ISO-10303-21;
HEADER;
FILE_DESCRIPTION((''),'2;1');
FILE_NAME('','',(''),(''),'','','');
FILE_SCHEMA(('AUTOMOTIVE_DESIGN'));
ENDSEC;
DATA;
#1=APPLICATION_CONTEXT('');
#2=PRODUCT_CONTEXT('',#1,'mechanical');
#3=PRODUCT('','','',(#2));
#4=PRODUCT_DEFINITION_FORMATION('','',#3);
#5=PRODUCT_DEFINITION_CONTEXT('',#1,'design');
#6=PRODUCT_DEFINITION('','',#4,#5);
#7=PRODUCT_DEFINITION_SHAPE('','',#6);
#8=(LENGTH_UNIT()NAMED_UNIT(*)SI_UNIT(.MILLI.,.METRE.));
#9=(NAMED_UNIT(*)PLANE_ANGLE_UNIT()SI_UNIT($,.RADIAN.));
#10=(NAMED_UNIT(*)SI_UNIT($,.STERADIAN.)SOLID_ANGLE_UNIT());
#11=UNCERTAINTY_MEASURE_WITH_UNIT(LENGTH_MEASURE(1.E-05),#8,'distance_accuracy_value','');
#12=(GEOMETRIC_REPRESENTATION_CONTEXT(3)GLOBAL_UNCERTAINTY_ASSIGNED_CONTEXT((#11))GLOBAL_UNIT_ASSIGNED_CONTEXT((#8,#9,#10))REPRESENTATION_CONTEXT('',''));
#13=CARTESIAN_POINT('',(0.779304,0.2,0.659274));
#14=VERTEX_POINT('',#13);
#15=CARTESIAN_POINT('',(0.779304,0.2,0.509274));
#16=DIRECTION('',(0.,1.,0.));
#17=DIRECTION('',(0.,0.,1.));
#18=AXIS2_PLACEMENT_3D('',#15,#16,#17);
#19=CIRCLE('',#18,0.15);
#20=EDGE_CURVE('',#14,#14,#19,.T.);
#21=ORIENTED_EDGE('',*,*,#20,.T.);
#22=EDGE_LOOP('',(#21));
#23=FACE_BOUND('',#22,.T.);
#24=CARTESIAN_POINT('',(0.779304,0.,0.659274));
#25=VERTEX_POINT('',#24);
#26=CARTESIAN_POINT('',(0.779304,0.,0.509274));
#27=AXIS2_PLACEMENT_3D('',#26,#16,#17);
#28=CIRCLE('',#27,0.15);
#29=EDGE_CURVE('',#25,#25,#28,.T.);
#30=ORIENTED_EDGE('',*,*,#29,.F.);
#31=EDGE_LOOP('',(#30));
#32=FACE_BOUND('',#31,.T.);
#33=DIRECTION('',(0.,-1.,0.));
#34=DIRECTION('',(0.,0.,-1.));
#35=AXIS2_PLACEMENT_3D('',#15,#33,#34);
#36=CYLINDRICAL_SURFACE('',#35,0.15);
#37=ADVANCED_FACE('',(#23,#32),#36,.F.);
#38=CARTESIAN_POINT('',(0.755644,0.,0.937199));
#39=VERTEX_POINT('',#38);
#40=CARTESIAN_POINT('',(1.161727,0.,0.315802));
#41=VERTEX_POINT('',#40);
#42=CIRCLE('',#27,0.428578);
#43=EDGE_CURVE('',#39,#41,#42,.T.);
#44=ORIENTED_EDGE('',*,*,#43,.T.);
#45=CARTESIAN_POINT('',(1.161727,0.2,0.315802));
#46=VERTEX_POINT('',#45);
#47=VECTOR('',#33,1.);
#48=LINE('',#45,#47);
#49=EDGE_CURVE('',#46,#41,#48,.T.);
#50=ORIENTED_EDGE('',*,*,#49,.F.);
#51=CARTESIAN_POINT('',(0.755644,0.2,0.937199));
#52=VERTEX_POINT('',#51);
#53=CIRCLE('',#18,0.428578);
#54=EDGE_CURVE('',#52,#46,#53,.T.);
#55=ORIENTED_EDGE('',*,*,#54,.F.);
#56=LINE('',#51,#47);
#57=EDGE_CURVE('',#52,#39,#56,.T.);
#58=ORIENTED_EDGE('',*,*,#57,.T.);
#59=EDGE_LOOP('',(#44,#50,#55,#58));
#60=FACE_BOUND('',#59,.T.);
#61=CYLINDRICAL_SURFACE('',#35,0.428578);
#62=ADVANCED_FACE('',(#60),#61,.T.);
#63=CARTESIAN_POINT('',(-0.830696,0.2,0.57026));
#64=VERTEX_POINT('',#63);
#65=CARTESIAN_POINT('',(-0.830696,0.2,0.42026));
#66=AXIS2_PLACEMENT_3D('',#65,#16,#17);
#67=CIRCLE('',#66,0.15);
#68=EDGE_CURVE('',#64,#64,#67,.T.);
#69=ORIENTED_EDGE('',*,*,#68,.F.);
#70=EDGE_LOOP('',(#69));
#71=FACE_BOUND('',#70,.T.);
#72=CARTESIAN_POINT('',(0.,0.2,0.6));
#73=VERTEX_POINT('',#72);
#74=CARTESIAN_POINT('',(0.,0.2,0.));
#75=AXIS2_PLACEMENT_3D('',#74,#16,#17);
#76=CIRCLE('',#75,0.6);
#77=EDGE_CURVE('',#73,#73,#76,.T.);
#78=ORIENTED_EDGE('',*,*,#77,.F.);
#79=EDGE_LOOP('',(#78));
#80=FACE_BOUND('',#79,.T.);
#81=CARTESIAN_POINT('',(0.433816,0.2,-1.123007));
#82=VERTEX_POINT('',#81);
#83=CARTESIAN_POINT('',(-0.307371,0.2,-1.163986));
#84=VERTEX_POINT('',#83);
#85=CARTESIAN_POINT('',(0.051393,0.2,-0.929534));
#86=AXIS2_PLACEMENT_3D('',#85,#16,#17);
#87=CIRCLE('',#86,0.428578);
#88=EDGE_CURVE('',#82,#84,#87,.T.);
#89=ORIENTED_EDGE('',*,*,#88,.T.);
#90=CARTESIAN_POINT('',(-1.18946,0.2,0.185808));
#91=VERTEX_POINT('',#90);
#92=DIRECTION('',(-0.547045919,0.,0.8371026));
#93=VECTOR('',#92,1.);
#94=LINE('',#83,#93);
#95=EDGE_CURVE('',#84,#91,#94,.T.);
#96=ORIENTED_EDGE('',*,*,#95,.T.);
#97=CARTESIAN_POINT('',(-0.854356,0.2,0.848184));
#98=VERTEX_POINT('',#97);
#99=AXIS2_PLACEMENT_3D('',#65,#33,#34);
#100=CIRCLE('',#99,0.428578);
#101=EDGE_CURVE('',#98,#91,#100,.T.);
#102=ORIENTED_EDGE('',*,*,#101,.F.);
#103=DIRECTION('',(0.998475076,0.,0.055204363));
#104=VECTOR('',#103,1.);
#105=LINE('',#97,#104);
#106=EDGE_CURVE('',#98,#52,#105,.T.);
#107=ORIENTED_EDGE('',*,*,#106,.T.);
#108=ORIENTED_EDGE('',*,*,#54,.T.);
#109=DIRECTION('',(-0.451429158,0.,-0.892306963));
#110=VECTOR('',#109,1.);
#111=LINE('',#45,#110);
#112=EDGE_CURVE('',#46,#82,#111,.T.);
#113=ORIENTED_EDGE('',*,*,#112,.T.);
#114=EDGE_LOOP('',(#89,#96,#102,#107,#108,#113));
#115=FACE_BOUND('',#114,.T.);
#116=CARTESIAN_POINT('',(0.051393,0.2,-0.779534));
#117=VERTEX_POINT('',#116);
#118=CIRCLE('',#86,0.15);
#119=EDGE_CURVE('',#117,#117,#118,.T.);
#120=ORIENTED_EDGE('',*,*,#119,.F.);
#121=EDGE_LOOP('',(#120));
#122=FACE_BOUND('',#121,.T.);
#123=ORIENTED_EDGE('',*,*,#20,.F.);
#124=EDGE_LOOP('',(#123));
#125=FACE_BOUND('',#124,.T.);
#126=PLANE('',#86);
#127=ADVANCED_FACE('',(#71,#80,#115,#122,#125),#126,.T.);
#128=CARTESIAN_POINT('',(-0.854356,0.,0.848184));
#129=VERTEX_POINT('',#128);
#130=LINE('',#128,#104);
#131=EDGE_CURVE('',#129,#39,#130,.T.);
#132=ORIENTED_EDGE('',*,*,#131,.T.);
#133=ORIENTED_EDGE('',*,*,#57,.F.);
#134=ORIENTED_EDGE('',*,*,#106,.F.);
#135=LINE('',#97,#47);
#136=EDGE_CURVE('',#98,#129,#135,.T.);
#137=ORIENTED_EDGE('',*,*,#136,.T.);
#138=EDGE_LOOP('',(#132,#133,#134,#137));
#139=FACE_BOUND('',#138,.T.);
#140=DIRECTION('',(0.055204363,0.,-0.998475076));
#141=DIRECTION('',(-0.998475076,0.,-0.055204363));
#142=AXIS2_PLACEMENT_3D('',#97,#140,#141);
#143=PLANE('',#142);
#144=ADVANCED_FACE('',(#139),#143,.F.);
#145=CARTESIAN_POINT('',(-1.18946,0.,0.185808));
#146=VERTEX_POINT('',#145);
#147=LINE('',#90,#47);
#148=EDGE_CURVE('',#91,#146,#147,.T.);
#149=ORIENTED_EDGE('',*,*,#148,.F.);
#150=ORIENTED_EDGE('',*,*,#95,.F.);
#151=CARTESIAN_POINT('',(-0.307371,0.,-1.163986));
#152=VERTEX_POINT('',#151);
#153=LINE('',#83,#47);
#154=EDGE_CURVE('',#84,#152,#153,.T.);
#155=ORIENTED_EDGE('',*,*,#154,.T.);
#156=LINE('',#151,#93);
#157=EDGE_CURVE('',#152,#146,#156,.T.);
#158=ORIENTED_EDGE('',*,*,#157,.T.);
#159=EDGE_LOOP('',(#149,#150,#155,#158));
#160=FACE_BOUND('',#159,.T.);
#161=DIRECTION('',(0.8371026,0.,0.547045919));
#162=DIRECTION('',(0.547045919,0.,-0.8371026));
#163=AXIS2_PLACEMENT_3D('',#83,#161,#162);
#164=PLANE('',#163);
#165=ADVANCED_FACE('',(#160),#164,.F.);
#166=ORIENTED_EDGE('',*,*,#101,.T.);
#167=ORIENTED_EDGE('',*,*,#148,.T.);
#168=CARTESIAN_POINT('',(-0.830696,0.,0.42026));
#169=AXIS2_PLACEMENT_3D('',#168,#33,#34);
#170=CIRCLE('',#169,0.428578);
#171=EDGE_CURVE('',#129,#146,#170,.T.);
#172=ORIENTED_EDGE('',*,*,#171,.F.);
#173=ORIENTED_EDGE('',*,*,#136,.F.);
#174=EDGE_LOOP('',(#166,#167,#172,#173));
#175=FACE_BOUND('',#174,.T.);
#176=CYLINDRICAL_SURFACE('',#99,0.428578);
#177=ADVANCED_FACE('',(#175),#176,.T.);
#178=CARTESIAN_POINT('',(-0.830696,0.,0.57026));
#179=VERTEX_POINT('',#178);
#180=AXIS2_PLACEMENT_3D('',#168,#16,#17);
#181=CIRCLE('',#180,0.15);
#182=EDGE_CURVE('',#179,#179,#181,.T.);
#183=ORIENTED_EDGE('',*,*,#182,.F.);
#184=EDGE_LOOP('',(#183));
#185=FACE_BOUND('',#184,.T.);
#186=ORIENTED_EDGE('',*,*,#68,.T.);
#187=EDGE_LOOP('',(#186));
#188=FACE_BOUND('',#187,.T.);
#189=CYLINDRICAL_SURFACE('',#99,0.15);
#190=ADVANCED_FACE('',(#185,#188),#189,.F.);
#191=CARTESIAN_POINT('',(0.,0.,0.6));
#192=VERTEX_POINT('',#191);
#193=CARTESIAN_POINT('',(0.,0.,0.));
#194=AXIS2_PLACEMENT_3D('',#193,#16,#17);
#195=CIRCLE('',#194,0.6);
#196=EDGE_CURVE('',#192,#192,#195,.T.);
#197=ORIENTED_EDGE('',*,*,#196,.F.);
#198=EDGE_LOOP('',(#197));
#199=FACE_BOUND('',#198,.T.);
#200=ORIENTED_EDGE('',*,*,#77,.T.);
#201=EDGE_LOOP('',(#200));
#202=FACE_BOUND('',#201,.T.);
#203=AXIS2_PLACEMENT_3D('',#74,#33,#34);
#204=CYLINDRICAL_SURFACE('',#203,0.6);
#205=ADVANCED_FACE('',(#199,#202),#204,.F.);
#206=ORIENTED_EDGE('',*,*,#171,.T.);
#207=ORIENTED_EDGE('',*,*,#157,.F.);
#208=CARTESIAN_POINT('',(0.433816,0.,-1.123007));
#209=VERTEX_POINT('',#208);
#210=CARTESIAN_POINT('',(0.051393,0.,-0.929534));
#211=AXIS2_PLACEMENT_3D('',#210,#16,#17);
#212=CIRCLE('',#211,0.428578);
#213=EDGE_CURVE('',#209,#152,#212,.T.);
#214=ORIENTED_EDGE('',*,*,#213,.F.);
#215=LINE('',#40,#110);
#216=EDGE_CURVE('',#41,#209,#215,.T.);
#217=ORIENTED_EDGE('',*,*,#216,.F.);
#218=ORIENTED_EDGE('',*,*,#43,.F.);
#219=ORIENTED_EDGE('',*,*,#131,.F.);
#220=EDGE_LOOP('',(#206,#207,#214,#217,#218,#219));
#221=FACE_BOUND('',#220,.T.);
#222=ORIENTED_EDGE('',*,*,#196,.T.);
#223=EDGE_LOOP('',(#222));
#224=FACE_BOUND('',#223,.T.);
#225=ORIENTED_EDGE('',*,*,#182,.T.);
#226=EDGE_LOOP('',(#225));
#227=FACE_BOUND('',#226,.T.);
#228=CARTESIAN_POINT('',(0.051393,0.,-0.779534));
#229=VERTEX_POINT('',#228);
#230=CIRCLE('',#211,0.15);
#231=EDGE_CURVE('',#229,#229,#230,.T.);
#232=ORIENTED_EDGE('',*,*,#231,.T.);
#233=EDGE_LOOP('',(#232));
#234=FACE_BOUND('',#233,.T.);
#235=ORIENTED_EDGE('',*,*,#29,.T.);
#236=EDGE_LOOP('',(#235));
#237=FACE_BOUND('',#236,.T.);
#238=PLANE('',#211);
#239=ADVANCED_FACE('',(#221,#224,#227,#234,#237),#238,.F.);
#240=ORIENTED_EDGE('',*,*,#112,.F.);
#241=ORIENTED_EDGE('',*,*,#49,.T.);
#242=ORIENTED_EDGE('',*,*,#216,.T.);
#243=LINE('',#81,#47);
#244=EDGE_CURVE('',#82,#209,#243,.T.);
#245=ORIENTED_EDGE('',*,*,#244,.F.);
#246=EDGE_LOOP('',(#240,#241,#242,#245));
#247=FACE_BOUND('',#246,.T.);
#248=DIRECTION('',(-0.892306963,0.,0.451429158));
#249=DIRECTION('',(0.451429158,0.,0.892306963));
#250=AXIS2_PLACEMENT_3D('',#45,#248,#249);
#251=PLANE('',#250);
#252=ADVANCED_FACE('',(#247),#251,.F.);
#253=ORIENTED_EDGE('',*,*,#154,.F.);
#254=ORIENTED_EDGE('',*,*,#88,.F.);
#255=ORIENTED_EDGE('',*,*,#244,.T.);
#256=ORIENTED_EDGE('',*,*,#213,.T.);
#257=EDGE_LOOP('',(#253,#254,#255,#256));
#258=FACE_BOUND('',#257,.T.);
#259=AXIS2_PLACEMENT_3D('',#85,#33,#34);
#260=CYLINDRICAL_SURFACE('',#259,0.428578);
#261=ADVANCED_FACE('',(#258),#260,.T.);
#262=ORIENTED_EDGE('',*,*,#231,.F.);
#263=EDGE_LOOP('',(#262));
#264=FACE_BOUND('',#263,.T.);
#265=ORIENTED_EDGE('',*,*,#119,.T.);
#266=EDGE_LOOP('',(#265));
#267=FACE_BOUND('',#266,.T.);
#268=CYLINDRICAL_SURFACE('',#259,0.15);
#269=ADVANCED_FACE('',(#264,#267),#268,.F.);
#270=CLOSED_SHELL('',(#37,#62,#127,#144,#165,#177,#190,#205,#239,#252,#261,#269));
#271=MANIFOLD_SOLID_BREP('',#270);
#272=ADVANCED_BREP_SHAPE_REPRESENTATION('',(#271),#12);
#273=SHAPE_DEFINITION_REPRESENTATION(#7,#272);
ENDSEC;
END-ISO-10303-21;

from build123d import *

# Parameters (mm, degrees)
CROQUIS1_R              = 0.6
CROQUIS1_R_2            = 0.15
SALIENTE_EXTRUIR1_DEPTH = 0.2


with BuildPart() as part:
    # Croquis1 → Saliente-Extruir1 (new body)
    with BuildSketch(Plane(origin=(0, 0, 0), x_dir=(1, 0, 0), z_dir=(0, 1, 0))):
        with BuildLine():
            Line((-0.854355723, -0.848184013), (0.755644277, -0.937198778))
            ThreePointArc((0.755644277, -0.937198778), (1.13806739, -0.743726182), (1.161726764, -0.315801754))
            Line((1.161726764, -0.315801754), (0.433815811, 1.123006529))
            ThreePointArc((0.433815811, 1.123006529), (0.075052072, 1.357458362), (-0.307371041, 1.163985767))
            Line((-0.307371041, 1.163985767), (-1.189460088, -0.185807751))
            ThreePointArc((-1.189460088, -0.185807751), (-1.213119462, -0.61373218), (-0.854355723, -0.848184013))
        make_face()
        with Locations(Location((0, 0, 0), (0, 0, 270))):
            Circle(CROQUIS1_R, mode=Mode.SUBTRACT)
        with Locations(Location((0.051392698, 0.929533933, 0), (0, 0, 270))):
            Circle(CROQUIS1_R_2, mode=Mode.SUBTRACT)
        with Locations(Location((0.779303651, -0.509274349, 0), (0, 0, 270))):
            Circle(CROQUIS1_R_2, mode=Mode.SUBTRACT)
        with Locations(Location((-0.830696349, -0.420259585, 0), (0, 0, 270))):
            Circle(CROQUIS1_R_2, mode=Mode.SUBTRACT)
    extrude(amount=SALIENTE_EXTRUIR1_DEPTH)


solid = part.part
